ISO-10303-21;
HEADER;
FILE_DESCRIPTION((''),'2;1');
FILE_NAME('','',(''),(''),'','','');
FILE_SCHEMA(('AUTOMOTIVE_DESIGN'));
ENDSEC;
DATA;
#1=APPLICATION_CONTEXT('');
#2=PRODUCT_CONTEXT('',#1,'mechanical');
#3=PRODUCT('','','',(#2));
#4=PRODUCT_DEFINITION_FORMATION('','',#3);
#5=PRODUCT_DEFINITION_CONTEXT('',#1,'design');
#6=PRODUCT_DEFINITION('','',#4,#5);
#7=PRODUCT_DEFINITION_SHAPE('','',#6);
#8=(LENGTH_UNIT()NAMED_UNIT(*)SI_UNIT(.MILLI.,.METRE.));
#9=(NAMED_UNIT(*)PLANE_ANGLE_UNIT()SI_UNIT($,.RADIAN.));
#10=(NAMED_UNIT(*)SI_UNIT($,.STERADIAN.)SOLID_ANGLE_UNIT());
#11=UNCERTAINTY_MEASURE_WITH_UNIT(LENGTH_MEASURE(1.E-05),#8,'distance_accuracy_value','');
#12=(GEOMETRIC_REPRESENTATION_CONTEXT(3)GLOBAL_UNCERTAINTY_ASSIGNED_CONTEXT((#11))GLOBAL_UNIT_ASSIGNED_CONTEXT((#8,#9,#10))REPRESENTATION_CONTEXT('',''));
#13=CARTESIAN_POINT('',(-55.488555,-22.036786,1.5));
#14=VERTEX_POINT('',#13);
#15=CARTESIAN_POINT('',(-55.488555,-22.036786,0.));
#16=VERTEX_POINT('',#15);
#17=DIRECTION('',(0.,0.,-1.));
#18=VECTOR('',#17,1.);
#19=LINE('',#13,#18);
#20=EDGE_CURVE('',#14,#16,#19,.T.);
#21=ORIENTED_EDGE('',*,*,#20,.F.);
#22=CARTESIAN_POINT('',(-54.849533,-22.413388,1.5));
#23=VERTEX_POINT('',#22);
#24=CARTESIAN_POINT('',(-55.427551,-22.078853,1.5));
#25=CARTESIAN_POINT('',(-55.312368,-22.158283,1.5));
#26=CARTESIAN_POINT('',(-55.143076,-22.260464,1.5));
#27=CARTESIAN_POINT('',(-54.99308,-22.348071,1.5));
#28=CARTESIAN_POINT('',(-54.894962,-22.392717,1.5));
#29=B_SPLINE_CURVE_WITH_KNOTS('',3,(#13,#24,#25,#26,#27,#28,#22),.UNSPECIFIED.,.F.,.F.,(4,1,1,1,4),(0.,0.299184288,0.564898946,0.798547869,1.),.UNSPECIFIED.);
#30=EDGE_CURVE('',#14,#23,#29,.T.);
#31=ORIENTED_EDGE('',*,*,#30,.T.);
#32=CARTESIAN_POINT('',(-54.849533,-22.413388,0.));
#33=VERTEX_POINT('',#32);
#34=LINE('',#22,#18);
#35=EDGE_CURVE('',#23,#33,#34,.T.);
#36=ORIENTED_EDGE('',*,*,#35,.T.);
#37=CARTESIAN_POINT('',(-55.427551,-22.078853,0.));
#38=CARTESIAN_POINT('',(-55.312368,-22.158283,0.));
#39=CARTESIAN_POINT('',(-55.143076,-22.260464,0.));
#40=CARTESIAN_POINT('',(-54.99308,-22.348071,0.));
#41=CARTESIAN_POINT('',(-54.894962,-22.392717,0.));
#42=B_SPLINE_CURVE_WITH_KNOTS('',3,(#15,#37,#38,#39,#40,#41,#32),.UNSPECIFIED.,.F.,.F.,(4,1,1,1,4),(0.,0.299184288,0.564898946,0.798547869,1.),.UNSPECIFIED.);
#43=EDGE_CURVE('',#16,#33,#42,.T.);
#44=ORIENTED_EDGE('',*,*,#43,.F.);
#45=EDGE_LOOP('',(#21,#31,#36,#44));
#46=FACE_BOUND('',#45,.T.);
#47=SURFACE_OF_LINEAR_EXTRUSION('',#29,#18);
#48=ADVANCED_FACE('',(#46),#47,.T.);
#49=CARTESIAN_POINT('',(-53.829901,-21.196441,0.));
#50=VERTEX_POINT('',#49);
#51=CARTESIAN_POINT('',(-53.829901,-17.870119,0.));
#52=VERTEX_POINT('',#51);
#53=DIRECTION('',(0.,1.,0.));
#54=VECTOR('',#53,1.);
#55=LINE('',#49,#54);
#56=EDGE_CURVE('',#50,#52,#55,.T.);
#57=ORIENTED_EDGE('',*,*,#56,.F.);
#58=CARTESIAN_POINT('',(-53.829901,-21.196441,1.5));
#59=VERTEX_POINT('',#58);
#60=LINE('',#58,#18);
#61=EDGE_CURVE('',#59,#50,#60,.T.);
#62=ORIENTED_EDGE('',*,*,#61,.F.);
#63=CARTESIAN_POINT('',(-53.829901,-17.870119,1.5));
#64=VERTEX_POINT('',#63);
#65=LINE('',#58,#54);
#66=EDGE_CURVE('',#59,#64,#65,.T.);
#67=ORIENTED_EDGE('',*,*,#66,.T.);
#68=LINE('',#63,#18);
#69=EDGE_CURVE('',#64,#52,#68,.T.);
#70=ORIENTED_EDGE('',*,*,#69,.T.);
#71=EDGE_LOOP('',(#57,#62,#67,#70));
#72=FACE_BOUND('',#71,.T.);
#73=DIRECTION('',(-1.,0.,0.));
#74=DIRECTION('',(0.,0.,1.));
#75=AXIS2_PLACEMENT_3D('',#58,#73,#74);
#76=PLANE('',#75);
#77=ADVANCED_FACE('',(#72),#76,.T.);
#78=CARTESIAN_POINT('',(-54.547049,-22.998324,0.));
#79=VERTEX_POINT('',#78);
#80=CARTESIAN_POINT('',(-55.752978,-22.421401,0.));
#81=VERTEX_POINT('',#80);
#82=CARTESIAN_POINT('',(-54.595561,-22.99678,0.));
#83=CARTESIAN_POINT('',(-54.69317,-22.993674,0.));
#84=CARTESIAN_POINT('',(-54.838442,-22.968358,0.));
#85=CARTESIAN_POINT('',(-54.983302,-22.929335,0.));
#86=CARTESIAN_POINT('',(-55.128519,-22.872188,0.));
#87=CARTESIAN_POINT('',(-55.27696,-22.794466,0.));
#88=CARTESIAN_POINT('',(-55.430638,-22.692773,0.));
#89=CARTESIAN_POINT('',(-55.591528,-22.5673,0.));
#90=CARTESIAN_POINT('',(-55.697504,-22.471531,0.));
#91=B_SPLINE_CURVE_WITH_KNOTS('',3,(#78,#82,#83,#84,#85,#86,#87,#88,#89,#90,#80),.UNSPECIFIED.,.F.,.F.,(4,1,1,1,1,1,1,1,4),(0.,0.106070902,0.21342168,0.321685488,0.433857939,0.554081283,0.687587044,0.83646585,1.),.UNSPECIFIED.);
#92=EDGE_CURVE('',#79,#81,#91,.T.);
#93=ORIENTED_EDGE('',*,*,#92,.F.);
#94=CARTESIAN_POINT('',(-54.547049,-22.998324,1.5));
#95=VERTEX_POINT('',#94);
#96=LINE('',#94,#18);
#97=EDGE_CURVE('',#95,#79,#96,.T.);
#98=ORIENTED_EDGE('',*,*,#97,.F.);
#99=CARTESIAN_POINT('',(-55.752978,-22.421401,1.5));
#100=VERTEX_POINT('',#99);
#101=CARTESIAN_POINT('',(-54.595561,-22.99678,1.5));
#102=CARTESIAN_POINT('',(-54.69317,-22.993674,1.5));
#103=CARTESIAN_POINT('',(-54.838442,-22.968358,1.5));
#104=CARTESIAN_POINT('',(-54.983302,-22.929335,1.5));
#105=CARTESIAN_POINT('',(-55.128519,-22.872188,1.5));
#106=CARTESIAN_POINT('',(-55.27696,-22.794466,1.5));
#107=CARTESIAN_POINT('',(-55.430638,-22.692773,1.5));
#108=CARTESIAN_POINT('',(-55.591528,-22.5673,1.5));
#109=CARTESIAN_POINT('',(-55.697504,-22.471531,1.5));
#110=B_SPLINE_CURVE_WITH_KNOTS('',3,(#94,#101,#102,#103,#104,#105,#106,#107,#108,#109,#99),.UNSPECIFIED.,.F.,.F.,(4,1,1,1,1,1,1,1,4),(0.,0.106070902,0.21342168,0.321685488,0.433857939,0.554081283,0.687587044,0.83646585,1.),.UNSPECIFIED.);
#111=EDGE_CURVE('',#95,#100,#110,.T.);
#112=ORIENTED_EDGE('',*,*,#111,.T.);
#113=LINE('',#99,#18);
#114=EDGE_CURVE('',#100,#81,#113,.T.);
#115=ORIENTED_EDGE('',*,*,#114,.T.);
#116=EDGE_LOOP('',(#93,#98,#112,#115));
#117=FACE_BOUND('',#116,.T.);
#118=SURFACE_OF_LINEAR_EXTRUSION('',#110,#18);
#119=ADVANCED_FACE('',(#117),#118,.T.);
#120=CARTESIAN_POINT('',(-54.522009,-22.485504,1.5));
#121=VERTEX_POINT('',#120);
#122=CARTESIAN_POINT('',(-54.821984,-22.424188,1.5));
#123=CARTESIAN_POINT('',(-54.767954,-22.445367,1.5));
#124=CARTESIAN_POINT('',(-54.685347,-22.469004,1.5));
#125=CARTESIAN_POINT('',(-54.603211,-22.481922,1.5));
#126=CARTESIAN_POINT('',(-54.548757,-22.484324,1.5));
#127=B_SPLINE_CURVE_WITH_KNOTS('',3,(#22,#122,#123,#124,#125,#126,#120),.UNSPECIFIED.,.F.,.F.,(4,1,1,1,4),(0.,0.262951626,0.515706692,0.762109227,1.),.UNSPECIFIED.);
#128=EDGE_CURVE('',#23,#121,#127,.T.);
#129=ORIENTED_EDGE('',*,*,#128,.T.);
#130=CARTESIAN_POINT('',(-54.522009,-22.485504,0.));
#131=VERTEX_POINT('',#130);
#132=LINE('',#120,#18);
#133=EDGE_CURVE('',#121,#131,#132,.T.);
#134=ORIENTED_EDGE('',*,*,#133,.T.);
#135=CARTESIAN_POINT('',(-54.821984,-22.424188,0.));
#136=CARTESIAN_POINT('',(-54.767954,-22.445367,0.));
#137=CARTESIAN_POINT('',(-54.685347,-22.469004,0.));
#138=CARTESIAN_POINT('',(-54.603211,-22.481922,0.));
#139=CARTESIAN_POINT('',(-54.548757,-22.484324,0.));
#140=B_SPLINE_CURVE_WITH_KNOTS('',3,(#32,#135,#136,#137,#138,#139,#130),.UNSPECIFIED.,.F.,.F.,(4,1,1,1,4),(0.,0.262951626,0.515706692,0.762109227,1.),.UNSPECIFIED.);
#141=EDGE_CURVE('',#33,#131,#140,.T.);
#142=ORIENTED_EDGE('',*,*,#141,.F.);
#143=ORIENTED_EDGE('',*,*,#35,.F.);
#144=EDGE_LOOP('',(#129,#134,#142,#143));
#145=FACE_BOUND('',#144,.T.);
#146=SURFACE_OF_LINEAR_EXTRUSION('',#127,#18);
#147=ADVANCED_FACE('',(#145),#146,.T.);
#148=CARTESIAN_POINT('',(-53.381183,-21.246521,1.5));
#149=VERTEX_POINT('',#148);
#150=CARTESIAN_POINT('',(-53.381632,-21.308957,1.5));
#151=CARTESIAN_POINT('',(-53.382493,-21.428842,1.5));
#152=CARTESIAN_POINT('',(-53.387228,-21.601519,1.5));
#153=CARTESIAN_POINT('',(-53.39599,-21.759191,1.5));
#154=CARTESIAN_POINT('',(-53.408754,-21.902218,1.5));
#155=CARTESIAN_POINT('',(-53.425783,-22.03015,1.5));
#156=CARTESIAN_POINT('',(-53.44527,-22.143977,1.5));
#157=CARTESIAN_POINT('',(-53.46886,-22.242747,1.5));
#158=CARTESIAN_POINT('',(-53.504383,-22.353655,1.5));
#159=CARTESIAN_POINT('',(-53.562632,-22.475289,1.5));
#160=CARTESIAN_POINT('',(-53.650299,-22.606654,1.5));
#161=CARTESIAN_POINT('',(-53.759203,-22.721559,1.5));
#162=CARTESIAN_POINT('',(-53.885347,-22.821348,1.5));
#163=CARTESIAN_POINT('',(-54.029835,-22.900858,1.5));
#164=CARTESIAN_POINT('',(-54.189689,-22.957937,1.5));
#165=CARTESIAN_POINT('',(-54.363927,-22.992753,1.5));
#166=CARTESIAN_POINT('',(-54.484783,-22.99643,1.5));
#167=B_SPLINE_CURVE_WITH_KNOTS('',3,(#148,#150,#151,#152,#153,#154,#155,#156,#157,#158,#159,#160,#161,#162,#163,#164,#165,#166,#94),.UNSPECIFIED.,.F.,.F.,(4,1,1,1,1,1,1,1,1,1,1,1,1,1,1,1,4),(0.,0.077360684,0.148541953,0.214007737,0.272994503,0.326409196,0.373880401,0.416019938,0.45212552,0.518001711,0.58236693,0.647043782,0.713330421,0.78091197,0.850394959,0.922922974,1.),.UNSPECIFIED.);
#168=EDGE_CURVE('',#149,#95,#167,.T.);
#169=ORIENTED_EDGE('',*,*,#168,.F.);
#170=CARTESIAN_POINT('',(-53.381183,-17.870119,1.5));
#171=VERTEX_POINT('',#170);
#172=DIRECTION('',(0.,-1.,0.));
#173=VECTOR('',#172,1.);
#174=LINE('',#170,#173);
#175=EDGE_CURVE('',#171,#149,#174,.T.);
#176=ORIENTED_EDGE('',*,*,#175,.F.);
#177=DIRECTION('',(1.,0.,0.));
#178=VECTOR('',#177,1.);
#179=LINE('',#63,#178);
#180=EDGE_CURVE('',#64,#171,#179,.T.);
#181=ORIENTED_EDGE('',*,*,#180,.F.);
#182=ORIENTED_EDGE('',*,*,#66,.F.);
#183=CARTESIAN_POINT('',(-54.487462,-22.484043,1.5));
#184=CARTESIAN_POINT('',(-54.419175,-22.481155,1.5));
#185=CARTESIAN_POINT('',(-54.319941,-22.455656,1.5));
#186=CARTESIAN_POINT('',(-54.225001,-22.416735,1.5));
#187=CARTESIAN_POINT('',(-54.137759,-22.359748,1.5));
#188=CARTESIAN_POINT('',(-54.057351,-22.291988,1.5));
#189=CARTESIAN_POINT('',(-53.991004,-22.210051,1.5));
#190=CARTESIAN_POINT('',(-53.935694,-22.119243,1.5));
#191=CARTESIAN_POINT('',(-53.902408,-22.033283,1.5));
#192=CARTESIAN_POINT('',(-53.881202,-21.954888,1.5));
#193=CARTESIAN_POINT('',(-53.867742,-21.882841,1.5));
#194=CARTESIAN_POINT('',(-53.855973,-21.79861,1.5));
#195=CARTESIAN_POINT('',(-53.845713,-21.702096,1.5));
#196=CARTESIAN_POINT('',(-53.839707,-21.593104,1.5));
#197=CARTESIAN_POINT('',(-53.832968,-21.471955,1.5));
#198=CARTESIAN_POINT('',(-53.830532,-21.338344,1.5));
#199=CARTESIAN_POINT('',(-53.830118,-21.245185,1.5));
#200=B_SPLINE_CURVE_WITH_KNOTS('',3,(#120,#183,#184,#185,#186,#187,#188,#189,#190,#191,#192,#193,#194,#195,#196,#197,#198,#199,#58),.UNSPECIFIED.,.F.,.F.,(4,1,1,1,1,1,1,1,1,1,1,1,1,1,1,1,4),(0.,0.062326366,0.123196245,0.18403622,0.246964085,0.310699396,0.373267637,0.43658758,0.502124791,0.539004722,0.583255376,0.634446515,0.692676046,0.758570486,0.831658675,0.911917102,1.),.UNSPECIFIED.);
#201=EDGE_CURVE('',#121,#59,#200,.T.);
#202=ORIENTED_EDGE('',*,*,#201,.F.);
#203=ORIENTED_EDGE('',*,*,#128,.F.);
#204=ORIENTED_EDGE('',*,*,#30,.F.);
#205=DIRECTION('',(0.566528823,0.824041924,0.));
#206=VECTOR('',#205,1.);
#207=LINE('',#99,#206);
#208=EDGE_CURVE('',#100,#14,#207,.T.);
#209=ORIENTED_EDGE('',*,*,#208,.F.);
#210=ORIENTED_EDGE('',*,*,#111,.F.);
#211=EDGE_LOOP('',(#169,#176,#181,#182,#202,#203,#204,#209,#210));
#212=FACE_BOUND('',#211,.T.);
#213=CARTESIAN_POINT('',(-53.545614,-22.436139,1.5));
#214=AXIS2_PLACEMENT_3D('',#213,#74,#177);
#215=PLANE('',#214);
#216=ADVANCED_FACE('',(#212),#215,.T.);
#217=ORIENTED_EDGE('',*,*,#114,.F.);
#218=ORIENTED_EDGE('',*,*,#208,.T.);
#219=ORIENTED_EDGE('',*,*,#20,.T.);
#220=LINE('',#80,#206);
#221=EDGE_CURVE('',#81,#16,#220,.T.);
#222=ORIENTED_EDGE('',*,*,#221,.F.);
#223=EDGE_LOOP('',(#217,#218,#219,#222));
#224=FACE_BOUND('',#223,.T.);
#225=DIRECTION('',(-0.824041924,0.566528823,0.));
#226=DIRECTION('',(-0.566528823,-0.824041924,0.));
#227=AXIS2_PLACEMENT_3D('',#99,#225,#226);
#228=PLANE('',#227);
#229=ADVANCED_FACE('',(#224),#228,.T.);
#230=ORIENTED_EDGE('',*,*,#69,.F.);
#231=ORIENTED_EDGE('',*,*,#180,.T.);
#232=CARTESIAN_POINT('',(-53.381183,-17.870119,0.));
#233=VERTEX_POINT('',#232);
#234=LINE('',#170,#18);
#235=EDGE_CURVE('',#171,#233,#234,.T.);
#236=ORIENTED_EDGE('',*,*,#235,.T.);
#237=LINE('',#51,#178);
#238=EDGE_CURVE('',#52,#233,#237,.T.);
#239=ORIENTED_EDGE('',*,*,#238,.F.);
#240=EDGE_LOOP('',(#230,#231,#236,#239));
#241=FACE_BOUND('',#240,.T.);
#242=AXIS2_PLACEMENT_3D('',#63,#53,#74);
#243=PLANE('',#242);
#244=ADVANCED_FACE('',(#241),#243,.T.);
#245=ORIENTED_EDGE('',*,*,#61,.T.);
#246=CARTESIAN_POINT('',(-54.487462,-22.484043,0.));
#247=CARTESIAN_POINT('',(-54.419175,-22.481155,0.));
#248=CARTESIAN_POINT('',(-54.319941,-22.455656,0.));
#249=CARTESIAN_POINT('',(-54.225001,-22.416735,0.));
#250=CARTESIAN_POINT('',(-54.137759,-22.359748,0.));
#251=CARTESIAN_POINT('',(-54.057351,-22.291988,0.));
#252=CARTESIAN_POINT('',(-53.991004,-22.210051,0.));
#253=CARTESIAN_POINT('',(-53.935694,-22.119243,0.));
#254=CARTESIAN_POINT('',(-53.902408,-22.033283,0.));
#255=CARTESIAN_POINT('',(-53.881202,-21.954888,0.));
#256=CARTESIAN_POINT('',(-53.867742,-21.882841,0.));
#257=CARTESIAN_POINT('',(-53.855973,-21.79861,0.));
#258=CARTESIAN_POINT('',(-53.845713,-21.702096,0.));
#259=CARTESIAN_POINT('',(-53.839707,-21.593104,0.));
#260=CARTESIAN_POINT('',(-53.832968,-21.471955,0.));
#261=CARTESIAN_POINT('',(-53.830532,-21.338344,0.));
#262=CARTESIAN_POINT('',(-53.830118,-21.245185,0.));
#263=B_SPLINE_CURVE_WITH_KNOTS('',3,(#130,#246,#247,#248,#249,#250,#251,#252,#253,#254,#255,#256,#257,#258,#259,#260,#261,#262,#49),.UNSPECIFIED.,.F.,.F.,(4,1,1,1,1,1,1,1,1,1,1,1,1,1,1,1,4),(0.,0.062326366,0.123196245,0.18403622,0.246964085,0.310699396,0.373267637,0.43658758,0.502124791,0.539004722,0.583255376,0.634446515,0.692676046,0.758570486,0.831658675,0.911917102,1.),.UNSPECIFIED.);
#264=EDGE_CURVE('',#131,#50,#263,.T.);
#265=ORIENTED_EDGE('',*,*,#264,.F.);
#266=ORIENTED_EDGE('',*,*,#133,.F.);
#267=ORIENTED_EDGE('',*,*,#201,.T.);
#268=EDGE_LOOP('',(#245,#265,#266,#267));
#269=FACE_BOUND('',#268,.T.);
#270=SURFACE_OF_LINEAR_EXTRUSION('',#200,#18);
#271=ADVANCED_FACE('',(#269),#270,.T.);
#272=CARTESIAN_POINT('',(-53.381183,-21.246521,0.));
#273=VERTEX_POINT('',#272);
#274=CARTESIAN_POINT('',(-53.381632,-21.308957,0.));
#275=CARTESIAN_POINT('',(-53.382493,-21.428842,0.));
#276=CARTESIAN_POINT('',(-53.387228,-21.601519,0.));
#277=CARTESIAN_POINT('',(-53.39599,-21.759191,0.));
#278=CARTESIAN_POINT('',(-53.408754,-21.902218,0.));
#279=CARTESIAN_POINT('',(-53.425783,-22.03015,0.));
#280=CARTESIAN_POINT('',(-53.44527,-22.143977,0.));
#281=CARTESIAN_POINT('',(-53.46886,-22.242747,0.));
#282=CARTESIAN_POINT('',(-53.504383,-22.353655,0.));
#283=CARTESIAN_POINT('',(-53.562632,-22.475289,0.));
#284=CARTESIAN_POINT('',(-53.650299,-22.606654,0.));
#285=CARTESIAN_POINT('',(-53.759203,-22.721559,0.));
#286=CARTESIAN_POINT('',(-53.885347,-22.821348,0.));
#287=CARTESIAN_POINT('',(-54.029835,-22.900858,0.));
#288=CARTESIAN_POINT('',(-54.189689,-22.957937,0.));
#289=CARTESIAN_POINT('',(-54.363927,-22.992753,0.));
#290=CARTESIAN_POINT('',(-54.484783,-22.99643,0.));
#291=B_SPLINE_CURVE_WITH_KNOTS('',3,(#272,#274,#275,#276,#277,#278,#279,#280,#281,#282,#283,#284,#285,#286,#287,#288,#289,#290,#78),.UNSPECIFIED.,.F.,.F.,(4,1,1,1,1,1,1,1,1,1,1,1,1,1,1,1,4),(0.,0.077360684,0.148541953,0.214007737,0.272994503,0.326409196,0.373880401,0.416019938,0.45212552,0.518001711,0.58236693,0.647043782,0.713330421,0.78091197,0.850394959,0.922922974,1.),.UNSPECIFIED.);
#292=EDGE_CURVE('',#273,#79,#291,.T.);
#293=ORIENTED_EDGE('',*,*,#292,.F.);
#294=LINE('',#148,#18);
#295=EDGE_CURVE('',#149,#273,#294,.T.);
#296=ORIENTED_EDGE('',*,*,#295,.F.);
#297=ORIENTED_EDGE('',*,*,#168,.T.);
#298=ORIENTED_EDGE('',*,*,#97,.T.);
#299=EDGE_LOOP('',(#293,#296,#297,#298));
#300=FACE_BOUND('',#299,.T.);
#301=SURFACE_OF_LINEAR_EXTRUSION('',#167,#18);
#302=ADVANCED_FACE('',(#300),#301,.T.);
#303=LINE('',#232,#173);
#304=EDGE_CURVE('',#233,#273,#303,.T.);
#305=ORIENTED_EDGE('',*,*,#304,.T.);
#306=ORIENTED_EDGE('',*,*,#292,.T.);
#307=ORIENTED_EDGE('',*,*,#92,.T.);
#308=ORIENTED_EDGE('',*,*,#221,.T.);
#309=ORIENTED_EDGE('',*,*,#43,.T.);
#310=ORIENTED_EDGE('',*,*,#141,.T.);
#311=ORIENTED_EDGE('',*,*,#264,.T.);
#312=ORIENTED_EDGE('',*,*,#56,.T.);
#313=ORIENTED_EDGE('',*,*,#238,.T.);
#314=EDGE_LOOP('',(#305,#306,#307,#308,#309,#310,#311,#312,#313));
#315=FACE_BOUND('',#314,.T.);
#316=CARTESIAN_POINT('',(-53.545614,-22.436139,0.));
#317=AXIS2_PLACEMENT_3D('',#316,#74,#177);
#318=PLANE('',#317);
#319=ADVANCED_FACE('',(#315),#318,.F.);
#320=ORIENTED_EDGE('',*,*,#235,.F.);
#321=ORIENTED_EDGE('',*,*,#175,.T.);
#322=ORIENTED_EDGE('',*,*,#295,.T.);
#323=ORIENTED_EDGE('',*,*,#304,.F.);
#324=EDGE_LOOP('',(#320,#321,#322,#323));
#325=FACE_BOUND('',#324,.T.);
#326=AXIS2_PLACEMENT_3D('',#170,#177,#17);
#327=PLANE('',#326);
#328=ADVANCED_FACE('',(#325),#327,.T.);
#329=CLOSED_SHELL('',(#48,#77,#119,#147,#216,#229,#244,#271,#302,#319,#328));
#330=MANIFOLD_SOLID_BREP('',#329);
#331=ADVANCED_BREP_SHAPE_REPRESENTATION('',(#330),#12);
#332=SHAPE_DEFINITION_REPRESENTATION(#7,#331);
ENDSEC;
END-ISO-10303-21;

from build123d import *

# Parameters (mm, degrees)
BOSS_EXTRU_1_DEPTH = 1.5


with BuildPart() as part:
    # Esquisse1 → Boss.-Extru.1 (new body)
    with BuildSketch(Plane.XY):
        with BuildLine():
            Line((-53.829901223, -17.870119076), (-53.381183275, -17.870119076))
            Line((-53.381183275, -17.870119076), (-53.381183275, -21.24652132))
            add(Edge.make_bspline(
                [(-53.381183275, -21.24652132), (-53.38163173, -21.308957278), (-53.382492818, -21.428841937), (-53.387227691, -21.601518931), (-53.395989802, -21.75919134), (-53.408754106, -21.902217693), (-53.42578301, -22.030149915), (-53.445270193, -22.143976512), (-53.468859905, -22.242747486), (-53.504383428, -22.353655137), (-53.562631926, -22.475289144), (-53.650299124, -22.606653645), (-53.759203119, -22.721558517), (-53.885347452, -22.821348124), (-54.029834629, -22.900858455), (-54.189689228, -22.957937281), (-54.36392721, -22.99275279), (-54.484783227, -22.996429798), (-54.547048659, -22.998324204)],
                knots=[0, 0, 0, 0, 1.237770943, 2.376671248, 3.424123796, 4.367912054, 5.222547132, 5.982086412, 6.656319012, 7.234008312, 8.288027371, 9.317870876, 10.352700517, 11.413286737, 12.494591526, 13.606319346, 14.766767577, 16, 16, 16, 16], degree=3))
            add(Edge.make_bspline(
                [(-54.547048659, -22.998324204), (-54.5955606, -22.996780477), (-54.693169837, -22.993674395), (-54.838442278, -22.968357663), (-54.983302243, -22.929334743), (-55.128518599, -22.872188179), (-55.276960372, -22.794465895), (-55.43063801, -22.6927733), (-55.591528283, -22.567299691), (-55.697504406, -22.471531483), (-55.752978146, -22.421401128)],
                knots=[0, 0, 0, 0, 0.848567217, 1.707373443, 2.573483905, 3.470863513, 4.432650262, 5.500696352, 6.691726801, 8, 8, 8, 8], degree=3))
            Line((-55.752978146, -22.421401128), (-55.488555069, -22.036785743))
            add(Edge.make_bspline(
                [(-55.488555069, -22.036785743), (-55.427551242, -22.078853452), (-55.312368062, -22.158282771), (-55.143076004, -22.260463629), (-54.993080071, -22.348071008), (-54.894961575, -22.392717121), (-54.849532634, -22.413388307)],
                knots=[0, 0, 0, 0, 1.196737151, 2.259595785, 3.194191475, 4, 4, 4, 4], degree=3))
            add(Edge.make_bspline(
                [(-54.849532634, -22.413388307), (-54.821983617, -22.424187532), (-54.767953861, -22.445367216), (-54.685346604, -22.469004214), (-54.603210837, -22.481921942), (-54.548756989, -22.484323847), (-54.522008595, -22.485503692)],
                knots=[0, 0, 0, 0, 1.051806502, 2.062826769, 3.048436908, 4, 4, 4, 4], degree=3))
            add(Edge.make_bspline(
                [(-54.522008595, -22.485503692), (-54.487461754, -22.484042642), (-54.419175388, -22.481154685), (-54.319941111, -22.45565572), (-54.225001067, -22.416735144), (-54.137758699, -22.359747582), (-54.057351003, -22.291988409), (-53.991004109, -22.210051254), (-53.93569376, -22.119242706), (-53.902408484, -22.033283486), (-53.881201666, -21.9548883), (-53.867742199, -21.882840963), (-53.855972685, -21.798610279), (-53.845713325, -21.702095707), (-53.839706938, -21.593104019), (-53.832967977, -21.471955243), (-53.83053189, -21.33834394), (-53.83011786, -21.245185437), (-53.829901223, -21.196441192)],
                knots=[0, 0, 0, 0, 0.997221856, 1.971139923, 2.944579524, 3.951425367, 4.971190333, 5.972282193, 6.985401279, 8.033996657, 8.624075553, 9.332086008, 10.151144245, 11.082816738, 12.137127781, 13.306538797, 14.590673636, 16, 16, 16, 16], degree=3))
            Line((-53.829901223, -21.196441192), (-53.829901223, -17.870119076))
        make_face()
    extrude(amount=BOSS_EXTRU_1_DEPTH)


solid = part.part
